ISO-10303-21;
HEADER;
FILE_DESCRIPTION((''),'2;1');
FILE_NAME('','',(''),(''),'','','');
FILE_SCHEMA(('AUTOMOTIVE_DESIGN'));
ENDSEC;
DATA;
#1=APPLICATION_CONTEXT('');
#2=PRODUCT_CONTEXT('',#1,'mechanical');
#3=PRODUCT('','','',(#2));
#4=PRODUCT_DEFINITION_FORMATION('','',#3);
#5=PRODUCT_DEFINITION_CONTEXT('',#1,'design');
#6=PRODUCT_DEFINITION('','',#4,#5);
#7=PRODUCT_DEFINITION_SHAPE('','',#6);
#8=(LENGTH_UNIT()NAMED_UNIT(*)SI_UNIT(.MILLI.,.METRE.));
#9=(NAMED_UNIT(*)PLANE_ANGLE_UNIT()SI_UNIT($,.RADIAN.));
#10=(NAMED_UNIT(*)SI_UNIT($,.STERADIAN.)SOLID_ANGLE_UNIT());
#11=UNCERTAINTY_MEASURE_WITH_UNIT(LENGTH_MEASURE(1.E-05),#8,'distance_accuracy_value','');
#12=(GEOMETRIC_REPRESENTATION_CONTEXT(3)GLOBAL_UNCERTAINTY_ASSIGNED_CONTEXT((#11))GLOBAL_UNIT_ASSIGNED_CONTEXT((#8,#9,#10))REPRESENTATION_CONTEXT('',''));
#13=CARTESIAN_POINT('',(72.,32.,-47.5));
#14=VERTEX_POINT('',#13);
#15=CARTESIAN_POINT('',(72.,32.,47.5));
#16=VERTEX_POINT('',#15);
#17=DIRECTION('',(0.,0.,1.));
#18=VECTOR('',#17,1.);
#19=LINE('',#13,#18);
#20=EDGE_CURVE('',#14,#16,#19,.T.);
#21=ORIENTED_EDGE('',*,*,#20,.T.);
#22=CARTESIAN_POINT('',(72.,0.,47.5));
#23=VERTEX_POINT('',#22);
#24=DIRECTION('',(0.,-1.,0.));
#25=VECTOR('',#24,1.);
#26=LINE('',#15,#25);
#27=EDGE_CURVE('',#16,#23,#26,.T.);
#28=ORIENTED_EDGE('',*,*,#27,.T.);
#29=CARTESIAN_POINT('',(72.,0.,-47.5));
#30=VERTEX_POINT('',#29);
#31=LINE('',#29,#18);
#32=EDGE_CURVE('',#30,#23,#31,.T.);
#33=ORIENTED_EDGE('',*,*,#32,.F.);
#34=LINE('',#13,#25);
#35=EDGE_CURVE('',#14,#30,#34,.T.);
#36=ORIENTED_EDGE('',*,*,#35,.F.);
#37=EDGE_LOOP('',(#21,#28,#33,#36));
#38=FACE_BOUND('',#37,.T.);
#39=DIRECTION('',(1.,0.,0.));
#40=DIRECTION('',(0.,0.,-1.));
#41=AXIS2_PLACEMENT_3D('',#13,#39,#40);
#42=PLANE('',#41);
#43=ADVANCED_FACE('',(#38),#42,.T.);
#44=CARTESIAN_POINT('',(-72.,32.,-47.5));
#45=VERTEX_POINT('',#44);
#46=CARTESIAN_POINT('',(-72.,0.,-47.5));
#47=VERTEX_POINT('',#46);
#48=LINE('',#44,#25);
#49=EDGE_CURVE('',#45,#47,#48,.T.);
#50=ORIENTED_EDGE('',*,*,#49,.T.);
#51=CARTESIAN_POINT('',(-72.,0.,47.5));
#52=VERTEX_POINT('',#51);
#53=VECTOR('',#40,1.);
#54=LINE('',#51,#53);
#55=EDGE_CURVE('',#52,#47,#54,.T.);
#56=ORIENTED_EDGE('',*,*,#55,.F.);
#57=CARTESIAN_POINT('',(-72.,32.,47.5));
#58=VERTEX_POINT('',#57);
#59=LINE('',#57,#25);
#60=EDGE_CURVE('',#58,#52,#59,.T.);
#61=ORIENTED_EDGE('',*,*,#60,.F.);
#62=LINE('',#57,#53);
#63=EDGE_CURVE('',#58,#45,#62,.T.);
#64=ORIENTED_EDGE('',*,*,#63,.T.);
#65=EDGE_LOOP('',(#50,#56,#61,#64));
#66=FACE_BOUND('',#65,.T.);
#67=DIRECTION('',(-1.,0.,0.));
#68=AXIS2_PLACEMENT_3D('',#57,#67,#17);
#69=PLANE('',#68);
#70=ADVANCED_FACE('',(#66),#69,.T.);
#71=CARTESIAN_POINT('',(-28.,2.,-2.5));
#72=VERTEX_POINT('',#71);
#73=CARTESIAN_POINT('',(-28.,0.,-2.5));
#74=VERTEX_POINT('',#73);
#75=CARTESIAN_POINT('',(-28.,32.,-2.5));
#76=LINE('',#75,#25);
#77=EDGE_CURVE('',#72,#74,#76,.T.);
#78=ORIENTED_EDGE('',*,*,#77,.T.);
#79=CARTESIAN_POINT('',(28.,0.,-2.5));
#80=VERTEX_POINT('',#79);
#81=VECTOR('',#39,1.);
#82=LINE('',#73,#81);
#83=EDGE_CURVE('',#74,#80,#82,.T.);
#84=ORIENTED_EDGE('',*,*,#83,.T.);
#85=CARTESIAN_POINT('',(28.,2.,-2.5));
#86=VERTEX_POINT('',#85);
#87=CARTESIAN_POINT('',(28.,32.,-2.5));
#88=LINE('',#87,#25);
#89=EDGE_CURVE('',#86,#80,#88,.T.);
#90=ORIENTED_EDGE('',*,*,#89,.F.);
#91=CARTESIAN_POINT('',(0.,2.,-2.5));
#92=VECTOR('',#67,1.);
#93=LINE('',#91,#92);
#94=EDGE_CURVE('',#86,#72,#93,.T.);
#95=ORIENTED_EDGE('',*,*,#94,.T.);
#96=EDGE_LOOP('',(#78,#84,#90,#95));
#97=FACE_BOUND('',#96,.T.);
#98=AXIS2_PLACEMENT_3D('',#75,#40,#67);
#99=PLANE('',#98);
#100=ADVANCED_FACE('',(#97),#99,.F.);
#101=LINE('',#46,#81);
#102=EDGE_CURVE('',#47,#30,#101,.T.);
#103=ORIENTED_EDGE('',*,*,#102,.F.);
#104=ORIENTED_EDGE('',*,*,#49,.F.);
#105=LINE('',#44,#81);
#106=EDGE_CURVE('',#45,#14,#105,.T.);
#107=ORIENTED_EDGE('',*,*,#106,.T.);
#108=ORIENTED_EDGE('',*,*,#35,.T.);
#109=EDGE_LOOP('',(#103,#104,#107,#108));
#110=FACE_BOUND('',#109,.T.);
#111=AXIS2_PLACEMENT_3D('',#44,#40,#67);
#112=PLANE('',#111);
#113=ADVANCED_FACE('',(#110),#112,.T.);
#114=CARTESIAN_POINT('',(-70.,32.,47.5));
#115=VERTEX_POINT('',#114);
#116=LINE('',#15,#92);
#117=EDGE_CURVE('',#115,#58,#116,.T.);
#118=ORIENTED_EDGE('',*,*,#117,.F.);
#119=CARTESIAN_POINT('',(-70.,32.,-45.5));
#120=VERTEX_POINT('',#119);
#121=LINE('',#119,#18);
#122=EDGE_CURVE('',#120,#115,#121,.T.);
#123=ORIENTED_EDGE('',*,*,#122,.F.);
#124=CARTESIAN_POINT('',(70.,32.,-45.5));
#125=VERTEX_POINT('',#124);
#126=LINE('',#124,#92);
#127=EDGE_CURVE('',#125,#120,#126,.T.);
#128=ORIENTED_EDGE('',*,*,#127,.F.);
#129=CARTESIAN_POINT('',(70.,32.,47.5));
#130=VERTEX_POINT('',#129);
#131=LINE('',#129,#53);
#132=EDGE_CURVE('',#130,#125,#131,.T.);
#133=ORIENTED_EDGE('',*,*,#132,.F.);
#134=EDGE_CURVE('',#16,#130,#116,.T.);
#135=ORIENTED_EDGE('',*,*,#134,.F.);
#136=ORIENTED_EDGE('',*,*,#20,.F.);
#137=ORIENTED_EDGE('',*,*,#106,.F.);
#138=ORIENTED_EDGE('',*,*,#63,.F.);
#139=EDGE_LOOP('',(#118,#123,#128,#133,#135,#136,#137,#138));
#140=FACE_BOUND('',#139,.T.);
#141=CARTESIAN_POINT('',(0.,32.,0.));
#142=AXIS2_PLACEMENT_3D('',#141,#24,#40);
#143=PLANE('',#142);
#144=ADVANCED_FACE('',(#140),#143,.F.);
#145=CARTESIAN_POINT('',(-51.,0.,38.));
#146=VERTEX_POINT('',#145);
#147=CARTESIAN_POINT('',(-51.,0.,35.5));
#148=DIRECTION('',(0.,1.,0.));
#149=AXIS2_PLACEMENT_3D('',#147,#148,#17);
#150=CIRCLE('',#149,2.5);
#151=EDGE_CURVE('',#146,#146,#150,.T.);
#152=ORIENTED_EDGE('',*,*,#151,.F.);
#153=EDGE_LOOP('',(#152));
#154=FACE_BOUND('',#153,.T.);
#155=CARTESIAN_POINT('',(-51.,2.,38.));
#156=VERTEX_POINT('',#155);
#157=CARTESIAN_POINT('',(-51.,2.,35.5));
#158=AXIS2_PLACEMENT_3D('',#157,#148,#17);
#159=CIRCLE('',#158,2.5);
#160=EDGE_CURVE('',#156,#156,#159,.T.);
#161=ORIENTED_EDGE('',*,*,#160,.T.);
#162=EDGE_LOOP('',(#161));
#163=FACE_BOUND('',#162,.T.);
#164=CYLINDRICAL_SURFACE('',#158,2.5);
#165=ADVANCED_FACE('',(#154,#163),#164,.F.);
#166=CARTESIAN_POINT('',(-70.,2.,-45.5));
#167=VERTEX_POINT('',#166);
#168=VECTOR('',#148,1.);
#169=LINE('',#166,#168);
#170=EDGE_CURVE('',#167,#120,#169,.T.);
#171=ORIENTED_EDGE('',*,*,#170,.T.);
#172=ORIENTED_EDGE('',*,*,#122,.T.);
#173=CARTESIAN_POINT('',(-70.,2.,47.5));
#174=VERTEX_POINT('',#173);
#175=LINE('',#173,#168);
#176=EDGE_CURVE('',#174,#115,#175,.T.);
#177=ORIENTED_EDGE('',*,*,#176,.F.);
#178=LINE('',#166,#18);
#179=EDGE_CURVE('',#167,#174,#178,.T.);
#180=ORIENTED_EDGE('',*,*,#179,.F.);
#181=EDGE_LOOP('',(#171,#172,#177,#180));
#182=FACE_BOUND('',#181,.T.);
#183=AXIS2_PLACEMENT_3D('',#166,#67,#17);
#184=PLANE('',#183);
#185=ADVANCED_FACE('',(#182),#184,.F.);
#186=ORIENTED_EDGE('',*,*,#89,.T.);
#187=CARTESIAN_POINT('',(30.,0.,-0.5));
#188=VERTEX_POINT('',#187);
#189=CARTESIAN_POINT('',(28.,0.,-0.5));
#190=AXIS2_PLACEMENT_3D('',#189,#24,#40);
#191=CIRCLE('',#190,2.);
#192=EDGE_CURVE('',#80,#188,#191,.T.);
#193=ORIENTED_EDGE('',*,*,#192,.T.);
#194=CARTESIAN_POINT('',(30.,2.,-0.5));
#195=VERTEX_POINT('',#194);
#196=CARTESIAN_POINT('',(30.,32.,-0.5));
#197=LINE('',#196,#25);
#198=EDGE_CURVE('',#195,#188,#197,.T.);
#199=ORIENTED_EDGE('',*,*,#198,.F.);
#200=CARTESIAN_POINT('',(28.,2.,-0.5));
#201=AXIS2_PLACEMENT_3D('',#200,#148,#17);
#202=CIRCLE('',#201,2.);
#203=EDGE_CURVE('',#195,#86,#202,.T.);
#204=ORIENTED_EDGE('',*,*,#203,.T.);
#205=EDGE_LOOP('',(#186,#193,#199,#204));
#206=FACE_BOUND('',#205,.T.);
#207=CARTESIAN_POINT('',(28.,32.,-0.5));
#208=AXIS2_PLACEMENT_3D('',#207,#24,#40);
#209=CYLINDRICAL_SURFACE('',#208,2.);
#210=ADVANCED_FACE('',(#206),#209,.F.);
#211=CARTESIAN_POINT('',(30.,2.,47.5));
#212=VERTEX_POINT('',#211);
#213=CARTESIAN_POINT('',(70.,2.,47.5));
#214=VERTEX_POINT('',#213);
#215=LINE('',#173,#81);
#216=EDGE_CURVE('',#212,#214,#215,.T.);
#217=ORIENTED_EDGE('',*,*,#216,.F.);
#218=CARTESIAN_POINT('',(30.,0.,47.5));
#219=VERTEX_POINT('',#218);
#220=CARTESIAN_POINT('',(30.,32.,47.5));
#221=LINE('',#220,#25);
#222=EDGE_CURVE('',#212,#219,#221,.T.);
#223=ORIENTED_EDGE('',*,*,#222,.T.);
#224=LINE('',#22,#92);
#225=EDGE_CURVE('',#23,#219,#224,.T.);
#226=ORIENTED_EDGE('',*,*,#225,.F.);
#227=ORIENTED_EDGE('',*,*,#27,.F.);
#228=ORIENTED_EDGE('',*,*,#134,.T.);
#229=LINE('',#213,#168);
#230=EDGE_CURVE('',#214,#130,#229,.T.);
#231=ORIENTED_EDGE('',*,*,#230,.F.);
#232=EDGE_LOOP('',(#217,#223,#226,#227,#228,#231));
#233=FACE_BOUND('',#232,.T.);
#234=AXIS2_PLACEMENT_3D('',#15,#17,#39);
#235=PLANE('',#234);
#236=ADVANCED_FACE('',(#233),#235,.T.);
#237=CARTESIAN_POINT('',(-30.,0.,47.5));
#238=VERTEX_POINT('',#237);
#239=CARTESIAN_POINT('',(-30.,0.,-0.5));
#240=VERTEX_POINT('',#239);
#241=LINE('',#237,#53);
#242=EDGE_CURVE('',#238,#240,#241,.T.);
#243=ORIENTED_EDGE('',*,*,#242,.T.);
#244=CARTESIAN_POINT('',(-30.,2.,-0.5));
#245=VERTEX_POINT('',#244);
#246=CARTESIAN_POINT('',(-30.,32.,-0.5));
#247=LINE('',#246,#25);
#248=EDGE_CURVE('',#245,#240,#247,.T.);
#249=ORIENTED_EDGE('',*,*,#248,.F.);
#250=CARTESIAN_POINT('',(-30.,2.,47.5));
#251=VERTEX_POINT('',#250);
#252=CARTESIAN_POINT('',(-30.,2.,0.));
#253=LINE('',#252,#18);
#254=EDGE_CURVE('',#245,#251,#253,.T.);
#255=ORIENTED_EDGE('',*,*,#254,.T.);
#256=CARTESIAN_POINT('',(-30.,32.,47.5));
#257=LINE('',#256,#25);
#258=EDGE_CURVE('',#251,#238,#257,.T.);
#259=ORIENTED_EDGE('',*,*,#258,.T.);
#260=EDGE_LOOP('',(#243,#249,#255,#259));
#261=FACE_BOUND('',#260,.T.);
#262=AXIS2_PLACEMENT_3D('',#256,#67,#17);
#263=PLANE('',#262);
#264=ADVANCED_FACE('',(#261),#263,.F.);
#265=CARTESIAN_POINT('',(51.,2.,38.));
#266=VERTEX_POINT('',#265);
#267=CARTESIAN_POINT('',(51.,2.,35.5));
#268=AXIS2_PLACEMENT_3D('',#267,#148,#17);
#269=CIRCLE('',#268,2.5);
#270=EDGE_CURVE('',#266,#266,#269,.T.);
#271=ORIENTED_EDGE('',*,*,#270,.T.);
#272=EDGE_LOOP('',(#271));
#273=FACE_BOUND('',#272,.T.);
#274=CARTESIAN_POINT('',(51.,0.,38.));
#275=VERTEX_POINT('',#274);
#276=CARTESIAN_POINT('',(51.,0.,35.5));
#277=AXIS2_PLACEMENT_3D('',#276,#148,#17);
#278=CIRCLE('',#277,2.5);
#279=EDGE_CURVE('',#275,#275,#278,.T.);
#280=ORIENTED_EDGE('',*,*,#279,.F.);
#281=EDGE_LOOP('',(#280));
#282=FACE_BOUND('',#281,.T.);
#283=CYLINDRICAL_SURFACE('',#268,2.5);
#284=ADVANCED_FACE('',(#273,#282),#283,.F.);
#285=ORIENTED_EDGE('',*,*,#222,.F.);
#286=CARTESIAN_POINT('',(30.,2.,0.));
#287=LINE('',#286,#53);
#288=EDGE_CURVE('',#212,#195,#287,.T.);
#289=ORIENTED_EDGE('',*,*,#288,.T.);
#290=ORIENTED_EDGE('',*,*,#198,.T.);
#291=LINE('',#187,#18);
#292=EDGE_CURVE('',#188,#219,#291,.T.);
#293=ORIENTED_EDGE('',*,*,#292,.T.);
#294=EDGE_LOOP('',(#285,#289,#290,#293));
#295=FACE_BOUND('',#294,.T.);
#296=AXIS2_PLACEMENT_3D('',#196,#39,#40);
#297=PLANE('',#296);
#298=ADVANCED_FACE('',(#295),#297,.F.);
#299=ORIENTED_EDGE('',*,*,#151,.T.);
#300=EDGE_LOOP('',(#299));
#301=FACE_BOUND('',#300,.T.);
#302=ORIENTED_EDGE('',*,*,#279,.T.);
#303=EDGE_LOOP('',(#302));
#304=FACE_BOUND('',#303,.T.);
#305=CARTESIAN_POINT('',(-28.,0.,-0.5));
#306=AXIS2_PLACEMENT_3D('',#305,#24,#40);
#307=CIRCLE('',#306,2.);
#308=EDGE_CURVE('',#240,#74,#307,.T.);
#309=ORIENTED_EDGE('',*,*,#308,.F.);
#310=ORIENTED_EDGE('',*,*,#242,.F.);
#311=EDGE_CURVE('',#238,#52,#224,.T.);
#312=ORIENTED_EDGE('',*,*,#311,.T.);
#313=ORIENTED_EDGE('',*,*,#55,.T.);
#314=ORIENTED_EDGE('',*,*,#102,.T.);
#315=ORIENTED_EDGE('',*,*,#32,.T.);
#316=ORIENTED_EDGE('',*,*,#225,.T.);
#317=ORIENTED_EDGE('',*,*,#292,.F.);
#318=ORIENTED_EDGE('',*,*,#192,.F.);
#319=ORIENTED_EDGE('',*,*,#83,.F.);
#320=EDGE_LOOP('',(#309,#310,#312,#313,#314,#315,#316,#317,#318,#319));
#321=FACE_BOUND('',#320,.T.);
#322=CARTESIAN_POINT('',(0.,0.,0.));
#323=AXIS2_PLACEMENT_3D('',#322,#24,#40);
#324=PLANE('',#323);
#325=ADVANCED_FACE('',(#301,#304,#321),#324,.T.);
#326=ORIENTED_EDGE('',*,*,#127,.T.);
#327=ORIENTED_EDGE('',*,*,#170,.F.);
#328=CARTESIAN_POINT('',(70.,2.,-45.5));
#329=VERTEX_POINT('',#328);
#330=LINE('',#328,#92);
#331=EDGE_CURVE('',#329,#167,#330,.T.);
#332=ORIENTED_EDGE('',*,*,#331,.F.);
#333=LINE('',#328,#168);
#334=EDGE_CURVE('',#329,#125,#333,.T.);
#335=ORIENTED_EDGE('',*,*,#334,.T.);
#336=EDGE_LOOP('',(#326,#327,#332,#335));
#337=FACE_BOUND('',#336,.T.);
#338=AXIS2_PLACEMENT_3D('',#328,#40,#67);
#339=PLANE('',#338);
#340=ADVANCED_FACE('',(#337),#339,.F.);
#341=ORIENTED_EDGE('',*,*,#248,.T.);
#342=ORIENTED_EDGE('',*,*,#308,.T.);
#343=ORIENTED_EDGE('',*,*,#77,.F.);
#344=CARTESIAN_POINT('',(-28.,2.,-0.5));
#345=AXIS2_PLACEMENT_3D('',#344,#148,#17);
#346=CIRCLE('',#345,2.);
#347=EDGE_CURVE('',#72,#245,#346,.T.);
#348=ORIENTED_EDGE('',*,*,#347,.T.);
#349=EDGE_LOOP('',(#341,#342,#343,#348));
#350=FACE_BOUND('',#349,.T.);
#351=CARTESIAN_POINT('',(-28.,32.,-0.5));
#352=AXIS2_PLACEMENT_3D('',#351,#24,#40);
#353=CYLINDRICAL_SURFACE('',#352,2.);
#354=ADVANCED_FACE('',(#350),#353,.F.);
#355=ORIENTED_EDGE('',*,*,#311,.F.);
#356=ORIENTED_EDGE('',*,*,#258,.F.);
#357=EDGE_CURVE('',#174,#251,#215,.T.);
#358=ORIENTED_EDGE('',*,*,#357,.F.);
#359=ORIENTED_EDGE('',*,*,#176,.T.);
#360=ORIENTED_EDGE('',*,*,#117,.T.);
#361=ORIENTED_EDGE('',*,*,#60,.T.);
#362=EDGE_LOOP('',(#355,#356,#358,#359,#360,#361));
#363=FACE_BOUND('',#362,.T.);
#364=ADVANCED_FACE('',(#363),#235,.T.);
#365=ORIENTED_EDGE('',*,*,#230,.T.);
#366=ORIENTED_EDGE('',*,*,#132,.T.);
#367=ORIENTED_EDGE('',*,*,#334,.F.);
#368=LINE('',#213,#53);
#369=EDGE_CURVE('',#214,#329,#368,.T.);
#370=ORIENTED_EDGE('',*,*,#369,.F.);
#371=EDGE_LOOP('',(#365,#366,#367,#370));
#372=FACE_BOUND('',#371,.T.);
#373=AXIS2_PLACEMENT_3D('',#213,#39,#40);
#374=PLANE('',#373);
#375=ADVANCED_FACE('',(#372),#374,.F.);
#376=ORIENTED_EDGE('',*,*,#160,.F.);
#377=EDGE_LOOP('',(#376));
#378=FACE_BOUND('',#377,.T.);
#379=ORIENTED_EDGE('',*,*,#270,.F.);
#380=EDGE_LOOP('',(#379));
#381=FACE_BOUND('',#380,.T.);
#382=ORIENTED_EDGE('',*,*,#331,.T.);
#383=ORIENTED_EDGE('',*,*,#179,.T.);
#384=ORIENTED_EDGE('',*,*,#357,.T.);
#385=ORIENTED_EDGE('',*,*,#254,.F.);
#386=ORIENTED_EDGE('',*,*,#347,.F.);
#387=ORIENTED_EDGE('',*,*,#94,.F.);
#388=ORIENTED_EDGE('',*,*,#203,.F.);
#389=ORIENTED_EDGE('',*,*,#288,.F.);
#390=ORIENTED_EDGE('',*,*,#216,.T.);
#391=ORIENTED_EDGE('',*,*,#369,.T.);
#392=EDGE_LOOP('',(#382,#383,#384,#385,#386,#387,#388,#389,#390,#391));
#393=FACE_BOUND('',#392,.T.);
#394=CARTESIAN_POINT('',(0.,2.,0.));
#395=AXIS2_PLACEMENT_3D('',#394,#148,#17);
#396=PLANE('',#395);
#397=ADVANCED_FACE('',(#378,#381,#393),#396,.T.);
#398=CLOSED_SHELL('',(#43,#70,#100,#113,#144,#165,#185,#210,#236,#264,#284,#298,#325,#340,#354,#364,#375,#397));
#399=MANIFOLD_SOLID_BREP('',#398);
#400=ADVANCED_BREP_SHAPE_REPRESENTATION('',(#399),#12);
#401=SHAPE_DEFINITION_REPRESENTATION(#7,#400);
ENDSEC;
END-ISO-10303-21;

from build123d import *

# Parameters (mm, degrees)
SKETCH_1_W            = 144
SKETCH_1_H            = 95
EXTRUDE_1_DEPTH       = 32
SKETCH_2_W            = 140
SKETCH_2_H            = 93
CUT_EXTRUDE_1_DEPTH   = 30
CUT_EXTRUDE_2_DEPTH   = 93.001358686
HOLE_WIZARD_5_0_5_1_D = 5


with BuildPart() as part:
    # 草图1 → 凸台-拉伸1 (new body)
    with BuildSketch(Plane.XZ):
        Rectangle(SKETCH_1_W, SKETCH_1_H)
    extrude(amount=-EXTRUDE_1_DEPTH)

    # 草图2 → 切除-拉伸1 (cut)
    with BuildSketch(Plane(origin=(0, 32, 0), x_dir=(-1, 0, 0), z_dir=(0, 1, 0))):
        with Locations((0, 1)):
            Rectangle(SKETCH_2_W, SKETCH_2_H)
    extrude(amount=-CUT_EXTRUDE_1_DEPTH, mode=Mode.SUBTRACT)

    # 草图3 → 切除-拉伸2 (cut, through all)
    with BuildSketch(Plane.XZ):
        with BuildLine():
            Line((30, 47.5), (-30, 47.5))
            Line((-30, 47.5), (-30, -0.5))
            ThreePointArc((-30, -0.5), (-29.414213562, -1.914213562), (-28, -2.5))
            Line((-28, -2.5), (28, -2.5))
            ThreePointArc((28, -2.5), (29.414213562, -1.914213562), (30, -0.5))
            Line((30, -0.5), (30, 47.5))
        make_face()
    extrude(amount=-CUT_EXTRUDE_2_DEPTH, mode=Mode.SUBTRACT)

    # Ø5.0 (5) 直径孔1 (through all)
    with Locations(Plane(origin=(0, 2, 0), x_dir=(1, 0, 0), z_dir=(0, 1, 0))):
        with Locations((51, -35.5), (-51, -35.5)):
            Hole(HOLE_WIZARD_5_0_5_1_D / 2)


solid = part.part
